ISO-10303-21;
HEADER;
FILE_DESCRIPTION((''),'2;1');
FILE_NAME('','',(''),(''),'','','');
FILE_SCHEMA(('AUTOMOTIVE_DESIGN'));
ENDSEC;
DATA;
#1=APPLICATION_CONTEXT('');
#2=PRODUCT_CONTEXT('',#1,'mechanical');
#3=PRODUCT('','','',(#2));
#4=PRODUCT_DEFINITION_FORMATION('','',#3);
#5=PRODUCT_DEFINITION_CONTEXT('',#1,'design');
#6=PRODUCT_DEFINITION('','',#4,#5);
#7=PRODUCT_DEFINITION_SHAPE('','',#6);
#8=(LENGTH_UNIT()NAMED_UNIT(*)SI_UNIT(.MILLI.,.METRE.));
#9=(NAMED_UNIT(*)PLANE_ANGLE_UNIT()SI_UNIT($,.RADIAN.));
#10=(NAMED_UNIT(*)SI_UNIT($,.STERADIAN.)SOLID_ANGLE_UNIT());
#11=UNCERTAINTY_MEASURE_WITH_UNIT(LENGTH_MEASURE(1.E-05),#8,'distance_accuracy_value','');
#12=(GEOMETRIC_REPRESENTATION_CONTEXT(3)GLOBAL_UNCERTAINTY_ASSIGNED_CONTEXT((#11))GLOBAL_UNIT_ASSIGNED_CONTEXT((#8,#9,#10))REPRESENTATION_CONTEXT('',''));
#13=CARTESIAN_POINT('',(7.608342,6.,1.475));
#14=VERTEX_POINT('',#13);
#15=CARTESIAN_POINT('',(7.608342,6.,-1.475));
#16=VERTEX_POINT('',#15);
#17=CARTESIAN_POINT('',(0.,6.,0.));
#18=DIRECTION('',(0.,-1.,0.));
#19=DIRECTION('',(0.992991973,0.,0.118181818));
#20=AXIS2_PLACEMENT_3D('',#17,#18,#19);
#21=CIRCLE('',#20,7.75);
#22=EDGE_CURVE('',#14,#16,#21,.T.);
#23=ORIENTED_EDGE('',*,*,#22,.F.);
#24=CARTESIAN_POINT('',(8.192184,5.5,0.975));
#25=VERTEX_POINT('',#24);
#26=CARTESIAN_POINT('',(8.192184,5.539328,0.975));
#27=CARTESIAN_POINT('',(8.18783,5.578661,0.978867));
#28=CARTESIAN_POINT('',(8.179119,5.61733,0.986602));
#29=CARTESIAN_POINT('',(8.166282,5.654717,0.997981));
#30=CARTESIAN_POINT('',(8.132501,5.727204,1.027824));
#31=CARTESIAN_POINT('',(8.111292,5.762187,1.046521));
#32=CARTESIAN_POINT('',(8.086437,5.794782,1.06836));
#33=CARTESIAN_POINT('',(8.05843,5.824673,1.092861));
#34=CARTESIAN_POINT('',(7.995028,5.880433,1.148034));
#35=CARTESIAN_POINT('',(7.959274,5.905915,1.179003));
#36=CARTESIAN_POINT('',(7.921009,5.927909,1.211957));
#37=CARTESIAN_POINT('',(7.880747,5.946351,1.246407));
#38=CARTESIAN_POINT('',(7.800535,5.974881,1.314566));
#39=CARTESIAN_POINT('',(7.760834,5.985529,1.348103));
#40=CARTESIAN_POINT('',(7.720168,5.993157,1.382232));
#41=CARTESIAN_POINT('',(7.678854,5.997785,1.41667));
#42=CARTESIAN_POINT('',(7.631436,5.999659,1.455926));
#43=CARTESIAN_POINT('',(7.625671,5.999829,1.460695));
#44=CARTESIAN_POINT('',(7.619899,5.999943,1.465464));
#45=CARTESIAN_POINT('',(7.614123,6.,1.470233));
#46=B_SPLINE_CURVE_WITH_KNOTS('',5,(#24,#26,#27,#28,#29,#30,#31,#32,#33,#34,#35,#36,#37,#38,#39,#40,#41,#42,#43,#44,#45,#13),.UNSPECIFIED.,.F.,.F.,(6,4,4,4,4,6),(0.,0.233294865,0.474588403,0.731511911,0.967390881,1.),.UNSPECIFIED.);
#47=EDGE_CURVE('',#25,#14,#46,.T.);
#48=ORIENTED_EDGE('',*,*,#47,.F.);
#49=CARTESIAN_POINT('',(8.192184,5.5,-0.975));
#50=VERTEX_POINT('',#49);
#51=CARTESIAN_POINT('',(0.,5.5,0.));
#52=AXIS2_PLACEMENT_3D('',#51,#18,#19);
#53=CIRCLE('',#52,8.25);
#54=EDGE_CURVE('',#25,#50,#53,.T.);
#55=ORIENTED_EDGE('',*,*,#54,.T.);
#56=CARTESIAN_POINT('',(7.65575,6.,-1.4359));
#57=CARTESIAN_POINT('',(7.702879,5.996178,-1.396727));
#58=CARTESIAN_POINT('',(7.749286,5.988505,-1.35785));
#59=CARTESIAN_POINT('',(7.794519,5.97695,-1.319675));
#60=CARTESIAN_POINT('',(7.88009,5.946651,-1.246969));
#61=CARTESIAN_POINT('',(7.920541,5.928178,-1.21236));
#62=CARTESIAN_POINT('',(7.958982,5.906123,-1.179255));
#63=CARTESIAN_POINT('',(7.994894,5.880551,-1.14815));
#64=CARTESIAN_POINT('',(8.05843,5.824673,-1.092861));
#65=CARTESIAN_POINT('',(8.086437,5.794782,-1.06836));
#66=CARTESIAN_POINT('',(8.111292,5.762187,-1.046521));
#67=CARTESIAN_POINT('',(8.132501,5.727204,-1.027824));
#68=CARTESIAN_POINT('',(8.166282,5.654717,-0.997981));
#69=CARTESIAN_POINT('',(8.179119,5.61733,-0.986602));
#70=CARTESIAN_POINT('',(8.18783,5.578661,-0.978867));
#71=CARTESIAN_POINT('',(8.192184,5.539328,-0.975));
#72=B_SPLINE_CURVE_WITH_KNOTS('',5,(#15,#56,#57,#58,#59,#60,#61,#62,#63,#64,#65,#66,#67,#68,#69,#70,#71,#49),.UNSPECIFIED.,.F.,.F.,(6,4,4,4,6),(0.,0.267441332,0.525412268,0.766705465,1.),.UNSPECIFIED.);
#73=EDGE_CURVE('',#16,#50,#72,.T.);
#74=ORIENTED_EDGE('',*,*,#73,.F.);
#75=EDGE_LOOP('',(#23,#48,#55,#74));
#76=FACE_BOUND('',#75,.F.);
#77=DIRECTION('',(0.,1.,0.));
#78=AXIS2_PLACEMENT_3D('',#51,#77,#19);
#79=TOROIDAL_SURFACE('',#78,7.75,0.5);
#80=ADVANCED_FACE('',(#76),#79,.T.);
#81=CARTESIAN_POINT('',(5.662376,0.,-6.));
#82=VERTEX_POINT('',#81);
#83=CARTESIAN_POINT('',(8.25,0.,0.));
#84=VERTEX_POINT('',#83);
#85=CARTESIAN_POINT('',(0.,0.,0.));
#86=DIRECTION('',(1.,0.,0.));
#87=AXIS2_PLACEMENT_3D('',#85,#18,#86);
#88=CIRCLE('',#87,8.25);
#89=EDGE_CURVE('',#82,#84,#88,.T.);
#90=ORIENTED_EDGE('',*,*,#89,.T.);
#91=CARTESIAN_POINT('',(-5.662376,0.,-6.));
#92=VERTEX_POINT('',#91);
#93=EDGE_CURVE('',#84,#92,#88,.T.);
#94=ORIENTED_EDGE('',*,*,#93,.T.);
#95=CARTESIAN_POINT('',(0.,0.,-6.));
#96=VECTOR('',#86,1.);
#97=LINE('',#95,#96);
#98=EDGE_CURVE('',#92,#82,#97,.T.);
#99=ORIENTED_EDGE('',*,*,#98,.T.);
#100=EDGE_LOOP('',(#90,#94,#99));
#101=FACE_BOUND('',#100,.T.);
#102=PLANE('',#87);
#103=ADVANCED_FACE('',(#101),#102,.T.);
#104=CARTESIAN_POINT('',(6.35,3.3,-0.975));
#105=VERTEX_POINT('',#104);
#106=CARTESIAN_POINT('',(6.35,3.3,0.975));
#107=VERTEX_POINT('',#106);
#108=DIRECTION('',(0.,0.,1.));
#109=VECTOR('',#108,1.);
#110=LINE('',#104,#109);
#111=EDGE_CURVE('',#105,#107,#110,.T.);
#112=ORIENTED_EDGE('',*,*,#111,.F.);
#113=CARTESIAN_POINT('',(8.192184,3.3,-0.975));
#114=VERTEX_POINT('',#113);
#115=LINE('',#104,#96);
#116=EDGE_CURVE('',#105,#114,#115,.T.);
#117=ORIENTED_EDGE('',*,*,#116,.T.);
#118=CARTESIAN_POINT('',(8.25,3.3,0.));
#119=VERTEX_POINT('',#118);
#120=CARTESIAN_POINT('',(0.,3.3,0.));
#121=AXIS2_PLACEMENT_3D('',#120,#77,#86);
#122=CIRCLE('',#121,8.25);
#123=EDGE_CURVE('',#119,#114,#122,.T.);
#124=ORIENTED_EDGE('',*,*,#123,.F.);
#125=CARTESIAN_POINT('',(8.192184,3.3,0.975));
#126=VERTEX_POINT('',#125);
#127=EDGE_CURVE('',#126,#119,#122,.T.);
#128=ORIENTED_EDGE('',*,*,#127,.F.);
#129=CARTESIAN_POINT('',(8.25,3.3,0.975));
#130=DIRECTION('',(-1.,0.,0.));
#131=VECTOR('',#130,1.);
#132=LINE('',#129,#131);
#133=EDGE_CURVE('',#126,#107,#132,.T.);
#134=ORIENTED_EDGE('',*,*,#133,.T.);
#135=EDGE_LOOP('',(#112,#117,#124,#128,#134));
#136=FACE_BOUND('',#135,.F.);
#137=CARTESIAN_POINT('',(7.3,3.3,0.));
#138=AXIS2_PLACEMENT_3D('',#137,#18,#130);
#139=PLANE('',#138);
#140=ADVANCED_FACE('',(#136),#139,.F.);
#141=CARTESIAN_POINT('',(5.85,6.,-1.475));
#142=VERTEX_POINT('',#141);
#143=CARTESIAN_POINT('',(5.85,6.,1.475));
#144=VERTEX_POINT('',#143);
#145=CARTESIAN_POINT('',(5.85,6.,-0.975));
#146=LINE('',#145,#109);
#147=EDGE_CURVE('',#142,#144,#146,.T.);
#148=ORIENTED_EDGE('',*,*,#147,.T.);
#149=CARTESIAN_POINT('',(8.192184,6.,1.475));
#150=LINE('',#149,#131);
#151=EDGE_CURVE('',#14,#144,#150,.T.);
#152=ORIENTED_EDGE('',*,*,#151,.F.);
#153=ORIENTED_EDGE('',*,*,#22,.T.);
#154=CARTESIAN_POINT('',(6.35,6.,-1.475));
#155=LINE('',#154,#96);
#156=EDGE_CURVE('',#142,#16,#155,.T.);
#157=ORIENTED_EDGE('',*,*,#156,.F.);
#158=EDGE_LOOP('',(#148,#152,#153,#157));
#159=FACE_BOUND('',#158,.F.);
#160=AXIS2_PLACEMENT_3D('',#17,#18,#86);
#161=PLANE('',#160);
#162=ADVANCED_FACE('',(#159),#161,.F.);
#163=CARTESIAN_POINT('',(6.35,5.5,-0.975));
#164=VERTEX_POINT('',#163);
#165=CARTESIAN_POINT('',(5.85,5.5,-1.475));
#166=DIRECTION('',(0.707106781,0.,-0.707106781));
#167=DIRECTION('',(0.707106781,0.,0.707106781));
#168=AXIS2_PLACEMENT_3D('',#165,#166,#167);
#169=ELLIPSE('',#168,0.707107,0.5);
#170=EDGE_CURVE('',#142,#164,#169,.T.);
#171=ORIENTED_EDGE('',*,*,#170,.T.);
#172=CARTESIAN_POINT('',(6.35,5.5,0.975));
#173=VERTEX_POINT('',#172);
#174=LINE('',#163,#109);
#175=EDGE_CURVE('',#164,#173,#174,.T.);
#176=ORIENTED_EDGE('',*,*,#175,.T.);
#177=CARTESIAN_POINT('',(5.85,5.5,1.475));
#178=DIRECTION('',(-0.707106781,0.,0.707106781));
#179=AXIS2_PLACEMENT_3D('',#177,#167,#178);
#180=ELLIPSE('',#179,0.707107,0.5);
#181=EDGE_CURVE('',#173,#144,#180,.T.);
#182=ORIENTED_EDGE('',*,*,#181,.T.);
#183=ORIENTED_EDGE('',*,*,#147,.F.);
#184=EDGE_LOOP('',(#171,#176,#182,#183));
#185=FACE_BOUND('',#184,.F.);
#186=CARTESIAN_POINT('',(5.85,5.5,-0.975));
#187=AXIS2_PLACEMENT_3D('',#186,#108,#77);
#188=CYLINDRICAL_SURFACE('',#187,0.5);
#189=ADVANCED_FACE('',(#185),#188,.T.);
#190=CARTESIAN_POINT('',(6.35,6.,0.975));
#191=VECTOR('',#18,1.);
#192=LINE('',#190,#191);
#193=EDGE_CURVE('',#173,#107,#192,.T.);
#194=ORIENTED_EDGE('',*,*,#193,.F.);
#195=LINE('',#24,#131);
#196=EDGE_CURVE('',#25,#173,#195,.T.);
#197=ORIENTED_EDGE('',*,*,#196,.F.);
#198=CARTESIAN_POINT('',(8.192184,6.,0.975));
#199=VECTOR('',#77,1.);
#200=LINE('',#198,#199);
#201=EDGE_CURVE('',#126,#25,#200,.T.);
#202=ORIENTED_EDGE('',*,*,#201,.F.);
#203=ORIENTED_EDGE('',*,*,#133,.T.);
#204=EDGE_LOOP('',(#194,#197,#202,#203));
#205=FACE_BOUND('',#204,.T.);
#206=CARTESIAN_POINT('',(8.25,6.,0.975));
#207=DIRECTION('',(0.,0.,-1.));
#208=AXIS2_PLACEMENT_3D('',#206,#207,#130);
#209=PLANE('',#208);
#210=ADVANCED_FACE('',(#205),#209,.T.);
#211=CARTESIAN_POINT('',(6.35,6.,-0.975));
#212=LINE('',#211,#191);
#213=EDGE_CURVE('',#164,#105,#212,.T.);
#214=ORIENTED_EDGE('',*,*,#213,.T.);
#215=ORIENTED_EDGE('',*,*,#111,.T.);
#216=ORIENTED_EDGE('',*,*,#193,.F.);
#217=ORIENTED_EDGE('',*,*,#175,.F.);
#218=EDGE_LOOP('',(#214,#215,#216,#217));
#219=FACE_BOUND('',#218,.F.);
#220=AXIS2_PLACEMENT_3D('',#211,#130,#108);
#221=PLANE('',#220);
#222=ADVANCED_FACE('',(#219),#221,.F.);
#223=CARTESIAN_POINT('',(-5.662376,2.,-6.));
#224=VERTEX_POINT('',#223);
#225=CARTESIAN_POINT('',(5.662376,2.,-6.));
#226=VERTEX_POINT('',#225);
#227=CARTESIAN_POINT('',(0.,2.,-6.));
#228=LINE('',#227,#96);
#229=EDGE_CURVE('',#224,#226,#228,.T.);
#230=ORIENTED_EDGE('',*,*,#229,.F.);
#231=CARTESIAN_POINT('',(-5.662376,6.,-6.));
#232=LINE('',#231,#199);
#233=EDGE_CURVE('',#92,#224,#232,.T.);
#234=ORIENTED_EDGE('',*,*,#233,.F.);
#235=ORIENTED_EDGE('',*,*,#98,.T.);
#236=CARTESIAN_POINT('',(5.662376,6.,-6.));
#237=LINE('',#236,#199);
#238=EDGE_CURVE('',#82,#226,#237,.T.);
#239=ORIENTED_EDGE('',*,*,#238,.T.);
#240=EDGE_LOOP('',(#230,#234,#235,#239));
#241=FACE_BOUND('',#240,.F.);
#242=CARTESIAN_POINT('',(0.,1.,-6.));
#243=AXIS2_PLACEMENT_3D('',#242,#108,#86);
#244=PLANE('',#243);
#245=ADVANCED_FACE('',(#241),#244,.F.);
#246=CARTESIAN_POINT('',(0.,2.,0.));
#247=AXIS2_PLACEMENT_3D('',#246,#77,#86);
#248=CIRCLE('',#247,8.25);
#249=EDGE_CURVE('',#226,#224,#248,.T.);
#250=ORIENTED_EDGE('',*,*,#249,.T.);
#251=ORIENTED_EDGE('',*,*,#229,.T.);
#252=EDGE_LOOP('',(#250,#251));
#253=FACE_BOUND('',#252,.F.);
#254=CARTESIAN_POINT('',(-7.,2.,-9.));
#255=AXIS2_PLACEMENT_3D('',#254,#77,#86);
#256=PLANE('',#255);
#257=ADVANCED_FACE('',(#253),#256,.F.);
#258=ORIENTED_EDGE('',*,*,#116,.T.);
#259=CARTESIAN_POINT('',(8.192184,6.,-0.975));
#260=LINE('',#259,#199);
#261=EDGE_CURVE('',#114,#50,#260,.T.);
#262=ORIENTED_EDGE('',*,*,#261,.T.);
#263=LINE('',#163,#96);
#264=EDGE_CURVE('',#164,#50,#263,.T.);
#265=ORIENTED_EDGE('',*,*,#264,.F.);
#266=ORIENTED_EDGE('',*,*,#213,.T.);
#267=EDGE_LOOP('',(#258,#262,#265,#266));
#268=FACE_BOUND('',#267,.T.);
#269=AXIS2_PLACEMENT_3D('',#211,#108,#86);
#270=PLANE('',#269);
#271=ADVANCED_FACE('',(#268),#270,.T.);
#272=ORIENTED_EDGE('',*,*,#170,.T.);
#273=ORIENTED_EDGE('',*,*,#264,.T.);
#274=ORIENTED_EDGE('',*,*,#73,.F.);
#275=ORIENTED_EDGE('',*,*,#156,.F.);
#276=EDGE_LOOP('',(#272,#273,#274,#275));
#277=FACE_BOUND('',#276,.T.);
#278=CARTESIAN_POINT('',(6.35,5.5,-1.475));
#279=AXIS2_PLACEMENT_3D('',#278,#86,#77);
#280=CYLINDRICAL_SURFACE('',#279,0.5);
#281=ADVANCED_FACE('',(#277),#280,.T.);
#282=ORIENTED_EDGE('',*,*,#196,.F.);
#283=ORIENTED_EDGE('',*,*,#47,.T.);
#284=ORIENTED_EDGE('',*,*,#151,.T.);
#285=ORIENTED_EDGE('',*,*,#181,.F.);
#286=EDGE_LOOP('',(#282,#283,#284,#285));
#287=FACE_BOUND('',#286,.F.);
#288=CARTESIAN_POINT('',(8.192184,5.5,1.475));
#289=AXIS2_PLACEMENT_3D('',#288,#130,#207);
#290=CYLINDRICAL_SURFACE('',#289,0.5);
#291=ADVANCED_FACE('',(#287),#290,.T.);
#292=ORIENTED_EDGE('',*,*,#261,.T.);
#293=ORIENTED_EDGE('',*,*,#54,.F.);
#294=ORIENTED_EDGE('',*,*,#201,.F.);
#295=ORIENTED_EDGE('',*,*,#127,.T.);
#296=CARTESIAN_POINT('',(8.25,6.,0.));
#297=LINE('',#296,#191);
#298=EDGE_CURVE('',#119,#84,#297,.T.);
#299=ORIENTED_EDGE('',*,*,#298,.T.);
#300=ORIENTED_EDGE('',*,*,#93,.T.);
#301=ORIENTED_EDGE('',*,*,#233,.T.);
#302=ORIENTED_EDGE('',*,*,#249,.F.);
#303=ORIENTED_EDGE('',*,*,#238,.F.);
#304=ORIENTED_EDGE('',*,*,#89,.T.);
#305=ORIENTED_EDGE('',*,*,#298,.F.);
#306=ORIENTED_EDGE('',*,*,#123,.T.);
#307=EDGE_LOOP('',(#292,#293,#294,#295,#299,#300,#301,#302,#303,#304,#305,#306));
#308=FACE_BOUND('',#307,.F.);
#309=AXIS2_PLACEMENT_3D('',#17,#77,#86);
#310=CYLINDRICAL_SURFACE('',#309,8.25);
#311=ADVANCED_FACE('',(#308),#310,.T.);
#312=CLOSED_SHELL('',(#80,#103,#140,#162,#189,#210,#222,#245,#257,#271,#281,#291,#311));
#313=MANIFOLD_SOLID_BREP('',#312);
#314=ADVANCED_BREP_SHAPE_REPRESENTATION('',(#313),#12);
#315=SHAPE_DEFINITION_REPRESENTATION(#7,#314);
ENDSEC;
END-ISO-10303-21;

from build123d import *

# Parameters (mm, degrees)
SKETCH100_W     = 14
SKETCH100_H     = 2
PAD063_DEPTH    = 3
SKETCH110_R     = 8.25
PAD067_DEPTH    = 6
POCKET022_DEPTH = 2.7
FILLET009_R     = 0.5


with BuildPart() as hole006:
    # Sketch100 → Pad063 (new body)
    with BuildSketch(Plane.XY):
        with Locations((0, 1)):
            Rectangle(SKETCH100_W, SKETCH100_H)
    extrude(amount=PAD063_DEPTH)


with BuildPart() as hole006_1:
    # Body025 placement: moved
    add(hole006.part.moved(Location((0, 0, -9))))


with BuildPart() as metal_case001:
    # Sketch110 → Pad067 (new body)
    with BuildSketch(Plane.XZ):
        Circle(SKETCH110_R)
    extrude(amount=PAD067_DEPTH)

    # Sketch102 (on Face2 of Pad067) → Pocket022 (cut)
    with BuildSketch(Plane(origin=(0, 0, 0), x_dir=(1, 0, 0), z_dir=(0, 1, 0))):
        Polygon((6.35, 0.975), (8.25, 0.975), (8.25, -0.975), (6.35, -0.975), (6.35, 0), align=None)
    extrude(amount=-POCKET022_DEPTH, mode=Mode.SUBTRACT)

    # Fillet009
    fillet009_edges = [metal_case001.edges().sort_by_distance(p)[0] for p in [
        (7.271092, 0, 0.975),
        (6.35, 0, 0.4875),
        (6.35, 0, -0.4875),
        (7.271092, 0, -0.975),
        (-8.25, 0, 0),
    ]]
    fillet(fillet009_edges, radius=FILLET009_R)


with BuildPart() as metal_case001_1:
    # Body027 placement: moved
    add(metal_case001.part.moved(Location((0, 6, 0))))

    # Cut001: cut Hole006
    add(hole006_1.part, mode=Mode.SUBTRACT)


solid = metal_case001_1.part
